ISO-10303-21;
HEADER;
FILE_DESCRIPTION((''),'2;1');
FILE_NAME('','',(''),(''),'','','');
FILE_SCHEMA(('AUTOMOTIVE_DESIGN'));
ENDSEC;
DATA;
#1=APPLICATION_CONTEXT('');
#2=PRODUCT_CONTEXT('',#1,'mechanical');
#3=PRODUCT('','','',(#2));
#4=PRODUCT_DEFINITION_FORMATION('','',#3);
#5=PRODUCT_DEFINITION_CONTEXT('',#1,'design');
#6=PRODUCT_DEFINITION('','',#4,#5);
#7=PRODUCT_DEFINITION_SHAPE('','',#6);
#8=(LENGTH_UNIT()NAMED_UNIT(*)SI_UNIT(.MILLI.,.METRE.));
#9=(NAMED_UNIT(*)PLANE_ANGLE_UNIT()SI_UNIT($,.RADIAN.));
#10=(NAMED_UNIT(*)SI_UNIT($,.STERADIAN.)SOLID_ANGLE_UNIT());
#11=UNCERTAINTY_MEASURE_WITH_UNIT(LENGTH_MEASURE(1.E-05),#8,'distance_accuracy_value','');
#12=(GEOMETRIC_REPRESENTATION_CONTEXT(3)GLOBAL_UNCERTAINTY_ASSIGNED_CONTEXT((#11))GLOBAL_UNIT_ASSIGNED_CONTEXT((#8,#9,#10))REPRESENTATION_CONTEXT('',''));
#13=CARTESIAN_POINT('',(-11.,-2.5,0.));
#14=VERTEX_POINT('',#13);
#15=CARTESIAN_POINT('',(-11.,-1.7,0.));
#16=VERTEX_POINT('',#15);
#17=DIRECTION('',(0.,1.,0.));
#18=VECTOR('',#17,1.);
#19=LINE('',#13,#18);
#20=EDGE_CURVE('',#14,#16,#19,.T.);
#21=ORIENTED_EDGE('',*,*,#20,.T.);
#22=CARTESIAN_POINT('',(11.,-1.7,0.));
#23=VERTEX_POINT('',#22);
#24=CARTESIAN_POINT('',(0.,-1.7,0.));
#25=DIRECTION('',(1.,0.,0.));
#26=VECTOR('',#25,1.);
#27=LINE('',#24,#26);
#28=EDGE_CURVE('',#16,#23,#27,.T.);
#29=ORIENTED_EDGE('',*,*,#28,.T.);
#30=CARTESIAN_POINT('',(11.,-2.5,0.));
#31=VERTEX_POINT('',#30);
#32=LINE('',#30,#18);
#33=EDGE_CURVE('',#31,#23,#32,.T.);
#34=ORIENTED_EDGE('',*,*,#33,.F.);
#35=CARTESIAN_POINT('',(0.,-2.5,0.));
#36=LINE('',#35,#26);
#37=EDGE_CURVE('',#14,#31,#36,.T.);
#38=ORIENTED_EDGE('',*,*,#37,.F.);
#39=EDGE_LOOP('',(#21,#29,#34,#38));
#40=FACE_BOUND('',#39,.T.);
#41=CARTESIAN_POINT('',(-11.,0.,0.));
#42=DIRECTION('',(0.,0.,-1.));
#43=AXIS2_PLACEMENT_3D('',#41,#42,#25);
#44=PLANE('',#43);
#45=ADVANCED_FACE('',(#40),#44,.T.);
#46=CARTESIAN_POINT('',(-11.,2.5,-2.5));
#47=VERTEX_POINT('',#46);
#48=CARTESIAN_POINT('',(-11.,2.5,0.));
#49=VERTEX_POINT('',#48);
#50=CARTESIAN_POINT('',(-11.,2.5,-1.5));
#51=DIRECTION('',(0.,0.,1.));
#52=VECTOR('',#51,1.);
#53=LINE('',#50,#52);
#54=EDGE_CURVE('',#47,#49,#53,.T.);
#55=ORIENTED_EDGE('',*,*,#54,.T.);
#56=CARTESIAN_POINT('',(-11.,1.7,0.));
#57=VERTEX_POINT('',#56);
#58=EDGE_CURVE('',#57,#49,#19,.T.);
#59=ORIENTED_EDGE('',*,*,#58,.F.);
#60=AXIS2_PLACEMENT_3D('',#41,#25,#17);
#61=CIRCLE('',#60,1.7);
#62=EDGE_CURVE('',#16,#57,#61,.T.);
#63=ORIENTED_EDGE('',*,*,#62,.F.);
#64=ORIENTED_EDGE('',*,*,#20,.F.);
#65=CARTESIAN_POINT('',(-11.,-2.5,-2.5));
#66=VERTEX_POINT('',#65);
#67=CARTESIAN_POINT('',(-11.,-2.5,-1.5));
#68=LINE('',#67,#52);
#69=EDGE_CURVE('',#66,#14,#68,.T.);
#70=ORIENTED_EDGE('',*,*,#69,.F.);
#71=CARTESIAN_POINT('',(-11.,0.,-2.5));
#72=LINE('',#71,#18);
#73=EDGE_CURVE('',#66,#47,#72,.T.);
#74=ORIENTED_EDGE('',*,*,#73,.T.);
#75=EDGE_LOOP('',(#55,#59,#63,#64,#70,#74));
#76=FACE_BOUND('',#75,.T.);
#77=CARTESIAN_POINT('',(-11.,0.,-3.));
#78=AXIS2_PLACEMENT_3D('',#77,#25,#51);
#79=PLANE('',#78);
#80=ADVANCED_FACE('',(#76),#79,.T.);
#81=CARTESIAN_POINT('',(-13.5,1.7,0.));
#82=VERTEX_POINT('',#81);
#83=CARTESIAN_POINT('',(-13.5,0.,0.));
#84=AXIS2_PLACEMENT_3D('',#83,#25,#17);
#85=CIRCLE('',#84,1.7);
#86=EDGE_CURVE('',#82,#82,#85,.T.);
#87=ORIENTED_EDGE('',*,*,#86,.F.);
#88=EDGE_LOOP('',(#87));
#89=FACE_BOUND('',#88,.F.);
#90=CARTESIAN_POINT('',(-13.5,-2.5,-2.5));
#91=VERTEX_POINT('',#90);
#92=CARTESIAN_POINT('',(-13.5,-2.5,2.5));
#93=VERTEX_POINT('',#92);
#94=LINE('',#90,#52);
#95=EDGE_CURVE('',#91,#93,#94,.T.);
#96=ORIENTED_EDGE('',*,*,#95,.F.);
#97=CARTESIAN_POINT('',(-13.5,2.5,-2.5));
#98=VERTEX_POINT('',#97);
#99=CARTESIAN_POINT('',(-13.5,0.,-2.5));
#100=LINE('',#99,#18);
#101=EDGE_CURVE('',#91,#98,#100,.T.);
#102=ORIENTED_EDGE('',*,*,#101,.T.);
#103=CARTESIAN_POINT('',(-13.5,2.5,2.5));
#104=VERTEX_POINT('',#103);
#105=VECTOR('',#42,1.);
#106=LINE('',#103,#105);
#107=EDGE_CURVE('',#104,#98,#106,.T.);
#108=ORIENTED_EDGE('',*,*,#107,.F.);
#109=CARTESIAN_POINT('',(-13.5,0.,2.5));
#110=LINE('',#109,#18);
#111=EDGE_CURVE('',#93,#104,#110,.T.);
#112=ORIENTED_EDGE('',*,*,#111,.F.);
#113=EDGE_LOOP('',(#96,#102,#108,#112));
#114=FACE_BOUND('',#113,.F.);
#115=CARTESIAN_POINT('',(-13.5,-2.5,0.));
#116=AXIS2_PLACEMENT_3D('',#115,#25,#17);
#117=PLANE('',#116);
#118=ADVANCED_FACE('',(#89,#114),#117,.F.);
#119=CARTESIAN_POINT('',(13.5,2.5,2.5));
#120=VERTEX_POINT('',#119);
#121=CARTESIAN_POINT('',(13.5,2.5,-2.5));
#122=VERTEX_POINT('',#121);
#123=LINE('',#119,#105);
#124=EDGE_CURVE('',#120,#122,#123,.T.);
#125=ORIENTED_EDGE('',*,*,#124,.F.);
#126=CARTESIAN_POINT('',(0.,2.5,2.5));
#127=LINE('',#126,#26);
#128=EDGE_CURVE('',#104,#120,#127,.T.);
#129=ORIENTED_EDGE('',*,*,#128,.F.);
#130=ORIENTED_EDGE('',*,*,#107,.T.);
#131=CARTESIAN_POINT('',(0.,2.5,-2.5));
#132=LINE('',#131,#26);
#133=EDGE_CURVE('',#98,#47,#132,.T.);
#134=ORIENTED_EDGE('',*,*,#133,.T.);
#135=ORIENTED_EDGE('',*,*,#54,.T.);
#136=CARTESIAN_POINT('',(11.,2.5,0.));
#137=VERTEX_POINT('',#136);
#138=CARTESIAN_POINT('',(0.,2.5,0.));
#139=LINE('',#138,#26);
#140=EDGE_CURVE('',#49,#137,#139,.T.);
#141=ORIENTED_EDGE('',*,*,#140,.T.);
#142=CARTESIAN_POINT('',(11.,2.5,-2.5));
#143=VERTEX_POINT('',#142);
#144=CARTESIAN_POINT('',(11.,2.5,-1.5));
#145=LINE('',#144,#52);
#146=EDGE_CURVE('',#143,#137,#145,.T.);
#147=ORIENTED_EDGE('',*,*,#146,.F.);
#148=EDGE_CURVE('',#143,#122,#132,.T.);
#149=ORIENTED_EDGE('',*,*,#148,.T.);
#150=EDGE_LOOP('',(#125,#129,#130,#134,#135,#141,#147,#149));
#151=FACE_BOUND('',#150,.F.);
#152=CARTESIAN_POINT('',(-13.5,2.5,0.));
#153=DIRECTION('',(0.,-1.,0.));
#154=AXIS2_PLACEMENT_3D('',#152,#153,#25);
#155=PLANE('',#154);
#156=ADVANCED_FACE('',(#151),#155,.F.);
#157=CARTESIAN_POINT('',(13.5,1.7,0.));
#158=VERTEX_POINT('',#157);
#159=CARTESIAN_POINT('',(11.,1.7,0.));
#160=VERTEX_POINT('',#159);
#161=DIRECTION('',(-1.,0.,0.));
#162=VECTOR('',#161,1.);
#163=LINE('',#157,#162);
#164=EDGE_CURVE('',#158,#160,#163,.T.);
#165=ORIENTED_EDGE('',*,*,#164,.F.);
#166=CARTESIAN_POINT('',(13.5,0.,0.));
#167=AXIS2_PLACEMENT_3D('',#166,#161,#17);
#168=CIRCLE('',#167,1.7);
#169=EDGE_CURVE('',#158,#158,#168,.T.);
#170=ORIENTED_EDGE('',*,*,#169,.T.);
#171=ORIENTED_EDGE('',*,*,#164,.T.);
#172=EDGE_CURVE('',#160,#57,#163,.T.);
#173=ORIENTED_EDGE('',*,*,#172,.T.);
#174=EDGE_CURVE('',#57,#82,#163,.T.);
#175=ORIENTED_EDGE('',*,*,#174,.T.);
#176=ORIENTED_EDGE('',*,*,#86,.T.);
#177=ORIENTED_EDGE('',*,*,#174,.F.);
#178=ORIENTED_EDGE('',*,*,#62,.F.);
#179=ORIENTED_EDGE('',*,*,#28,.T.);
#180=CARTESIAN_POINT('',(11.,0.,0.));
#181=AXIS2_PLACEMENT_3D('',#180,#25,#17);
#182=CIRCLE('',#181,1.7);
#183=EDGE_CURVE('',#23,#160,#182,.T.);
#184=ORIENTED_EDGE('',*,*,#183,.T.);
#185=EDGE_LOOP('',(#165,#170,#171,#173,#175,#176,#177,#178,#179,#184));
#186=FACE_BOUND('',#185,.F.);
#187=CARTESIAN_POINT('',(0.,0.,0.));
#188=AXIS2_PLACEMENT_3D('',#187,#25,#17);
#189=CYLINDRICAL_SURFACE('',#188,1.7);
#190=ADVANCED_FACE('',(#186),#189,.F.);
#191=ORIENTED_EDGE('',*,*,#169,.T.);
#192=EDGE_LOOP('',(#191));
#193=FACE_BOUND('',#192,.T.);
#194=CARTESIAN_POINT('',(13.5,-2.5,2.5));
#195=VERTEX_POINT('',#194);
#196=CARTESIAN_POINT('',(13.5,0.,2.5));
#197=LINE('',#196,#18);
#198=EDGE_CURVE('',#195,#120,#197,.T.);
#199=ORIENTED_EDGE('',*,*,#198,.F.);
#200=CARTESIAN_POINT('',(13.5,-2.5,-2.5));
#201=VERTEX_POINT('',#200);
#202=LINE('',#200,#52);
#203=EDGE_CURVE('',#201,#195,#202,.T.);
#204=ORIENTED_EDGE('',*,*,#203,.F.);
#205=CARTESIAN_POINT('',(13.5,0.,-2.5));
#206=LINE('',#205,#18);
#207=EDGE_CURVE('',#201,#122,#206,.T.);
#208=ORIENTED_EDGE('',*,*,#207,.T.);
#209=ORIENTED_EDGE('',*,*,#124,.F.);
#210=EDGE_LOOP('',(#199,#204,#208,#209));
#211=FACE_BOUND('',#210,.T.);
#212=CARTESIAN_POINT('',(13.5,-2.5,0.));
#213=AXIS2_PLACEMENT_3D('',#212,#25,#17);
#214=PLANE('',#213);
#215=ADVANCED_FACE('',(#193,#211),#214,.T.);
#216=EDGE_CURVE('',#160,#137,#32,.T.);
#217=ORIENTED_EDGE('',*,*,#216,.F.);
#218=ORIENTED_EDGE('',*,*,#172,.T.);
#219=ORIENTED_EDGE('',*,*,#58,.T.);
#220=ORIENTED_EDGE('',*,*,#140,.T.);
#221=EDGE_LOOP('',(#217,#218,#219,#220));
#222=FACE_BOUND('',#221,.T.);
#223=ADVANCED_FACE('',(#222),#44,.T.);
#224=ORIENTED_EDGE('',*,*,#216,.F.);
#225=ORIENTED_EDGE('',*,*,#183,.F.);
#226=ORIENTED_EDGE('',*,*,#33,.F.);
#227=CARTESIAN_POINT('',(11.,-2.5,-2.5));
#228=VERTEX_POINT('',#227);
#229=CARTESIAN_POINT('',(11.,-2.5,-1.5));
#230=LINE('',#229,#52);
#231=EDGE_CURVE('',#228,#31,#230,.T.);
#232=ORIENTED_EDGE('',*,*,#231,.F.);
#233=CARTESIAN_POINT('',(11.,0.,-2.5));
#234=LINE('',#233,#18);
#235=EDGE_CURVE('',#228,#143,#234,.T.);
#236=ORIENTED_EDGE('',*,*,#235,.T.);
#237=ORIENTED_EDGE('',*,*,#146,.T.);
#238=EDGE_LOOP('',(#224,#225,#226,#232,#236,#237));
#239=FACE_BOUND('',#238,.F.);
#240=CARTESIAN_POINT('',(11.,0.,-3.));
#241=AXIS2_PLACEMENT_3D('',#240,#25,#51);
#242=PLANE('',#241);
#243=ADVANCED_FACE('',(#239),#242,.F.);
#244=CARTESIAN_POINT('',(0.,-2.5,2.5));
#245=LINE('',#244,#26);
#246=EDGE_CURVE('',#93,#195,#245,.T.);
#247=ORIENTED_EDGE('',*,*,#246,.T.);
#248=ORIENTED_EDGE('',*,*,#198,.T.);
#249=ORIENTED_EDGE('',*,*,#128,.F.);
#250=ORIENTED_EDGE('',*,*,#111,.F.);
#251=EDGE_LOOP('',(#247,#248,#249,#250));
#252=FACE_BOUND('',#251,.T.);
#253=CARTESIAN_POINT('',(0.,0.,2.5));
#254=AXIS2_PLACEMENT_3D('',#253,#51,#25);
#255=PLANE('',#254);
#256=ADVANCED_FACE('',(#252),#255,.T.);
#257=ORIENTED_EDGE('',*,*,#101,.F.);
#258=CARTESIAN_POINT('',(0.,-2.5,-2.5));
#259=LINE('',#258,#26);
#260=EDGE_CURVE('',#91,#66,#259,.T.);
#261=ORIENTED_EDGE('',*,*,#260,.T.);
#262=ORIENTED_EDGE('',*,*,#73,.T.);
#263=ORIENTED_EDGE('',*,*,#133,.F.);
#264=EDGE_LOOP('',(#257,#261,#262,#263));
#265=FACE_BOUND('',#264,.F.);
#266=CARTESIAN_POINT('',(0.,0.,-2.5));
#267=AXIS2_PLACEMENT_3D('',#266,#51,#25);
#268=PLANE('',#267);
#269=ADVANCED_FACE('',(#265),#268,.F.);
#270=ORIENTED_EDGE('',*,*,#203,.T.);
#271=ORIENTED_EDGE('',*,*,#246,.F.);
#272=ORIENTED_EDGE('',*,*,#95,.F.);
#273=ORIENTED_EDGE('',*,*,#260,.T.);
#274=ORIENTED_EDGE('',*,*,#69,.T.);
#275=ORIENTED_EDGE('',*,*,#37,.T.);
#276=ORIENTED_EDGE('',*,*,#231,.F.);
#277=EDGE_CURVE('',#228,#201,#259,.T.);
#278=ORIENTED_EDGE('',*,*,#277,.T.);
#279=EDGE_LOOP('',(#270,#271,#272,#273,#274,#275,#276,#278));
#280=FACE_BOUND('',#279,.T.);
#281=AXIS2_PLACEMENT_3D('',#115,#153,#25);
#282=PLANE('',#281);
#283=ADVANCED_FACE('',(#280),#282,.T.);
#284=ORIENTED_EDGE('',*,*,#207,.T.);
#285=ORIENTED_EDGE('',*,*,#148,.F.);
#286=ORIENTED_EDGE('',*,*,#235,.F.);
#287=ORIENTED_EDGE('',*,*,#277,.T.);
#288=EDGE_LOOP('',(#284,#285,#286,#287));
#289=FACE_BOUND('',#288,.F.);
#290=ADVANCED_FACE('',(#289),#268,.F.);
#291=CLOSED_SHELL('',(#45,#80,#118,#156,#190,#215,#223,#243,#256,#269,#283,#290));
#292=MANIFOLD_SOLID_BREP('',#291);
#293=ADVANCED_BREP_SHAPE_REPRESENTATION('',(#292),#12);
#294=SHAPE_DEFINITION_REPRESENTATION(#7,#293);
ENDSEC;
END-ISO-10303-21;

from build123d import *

# Parameters (mm, degrees)
SKETCH_W          = 27
SKETCH_H          = 5
PAD_DEPTH         = 2.5
SKETCH001_R       = 1.7
POCKET_DEPTH      = 13.501
POCKET_DEPTH_BACK = -13.501
SKETCH002_W       = 22
SKETCH002_H       = 3
POCKET001_DEPTH   = 2.5


with BuildPart() as part:
    # Sketch → Pad (new body, symmetric)
    with BuildSketch(Plane.XY):
        Rectangle(SKETCH_W, SKETCH_H)
    extrude(amount=PAD_DEPTH, both=True)

    # Sketch001 → Pocket (cut, two sides)
    with BuildSketch(Plane.YZ) as pocket_sk:
        Circle(SKETCH001_R)
    extrude(amount=-POCKET_DEPTH, mode=Mode.SUBTRACT)
    extrude(pocket_sk.sketch, amount=-POCKET_DEPTH_BACK, mode=Mode.SUBTRACT)

    # Sketch002 → Pocket001 (cut, symmetric)
    with BuildSketch(Plane.XZ):
        with Locations((0, -1.5)):
            Rectangle(SKETCH002_W, SKETCH002_H)
    extrude(amount=POCKET001_DEPTH, both=True, mode=Mode.SUBTRACT)


solid = part.part
